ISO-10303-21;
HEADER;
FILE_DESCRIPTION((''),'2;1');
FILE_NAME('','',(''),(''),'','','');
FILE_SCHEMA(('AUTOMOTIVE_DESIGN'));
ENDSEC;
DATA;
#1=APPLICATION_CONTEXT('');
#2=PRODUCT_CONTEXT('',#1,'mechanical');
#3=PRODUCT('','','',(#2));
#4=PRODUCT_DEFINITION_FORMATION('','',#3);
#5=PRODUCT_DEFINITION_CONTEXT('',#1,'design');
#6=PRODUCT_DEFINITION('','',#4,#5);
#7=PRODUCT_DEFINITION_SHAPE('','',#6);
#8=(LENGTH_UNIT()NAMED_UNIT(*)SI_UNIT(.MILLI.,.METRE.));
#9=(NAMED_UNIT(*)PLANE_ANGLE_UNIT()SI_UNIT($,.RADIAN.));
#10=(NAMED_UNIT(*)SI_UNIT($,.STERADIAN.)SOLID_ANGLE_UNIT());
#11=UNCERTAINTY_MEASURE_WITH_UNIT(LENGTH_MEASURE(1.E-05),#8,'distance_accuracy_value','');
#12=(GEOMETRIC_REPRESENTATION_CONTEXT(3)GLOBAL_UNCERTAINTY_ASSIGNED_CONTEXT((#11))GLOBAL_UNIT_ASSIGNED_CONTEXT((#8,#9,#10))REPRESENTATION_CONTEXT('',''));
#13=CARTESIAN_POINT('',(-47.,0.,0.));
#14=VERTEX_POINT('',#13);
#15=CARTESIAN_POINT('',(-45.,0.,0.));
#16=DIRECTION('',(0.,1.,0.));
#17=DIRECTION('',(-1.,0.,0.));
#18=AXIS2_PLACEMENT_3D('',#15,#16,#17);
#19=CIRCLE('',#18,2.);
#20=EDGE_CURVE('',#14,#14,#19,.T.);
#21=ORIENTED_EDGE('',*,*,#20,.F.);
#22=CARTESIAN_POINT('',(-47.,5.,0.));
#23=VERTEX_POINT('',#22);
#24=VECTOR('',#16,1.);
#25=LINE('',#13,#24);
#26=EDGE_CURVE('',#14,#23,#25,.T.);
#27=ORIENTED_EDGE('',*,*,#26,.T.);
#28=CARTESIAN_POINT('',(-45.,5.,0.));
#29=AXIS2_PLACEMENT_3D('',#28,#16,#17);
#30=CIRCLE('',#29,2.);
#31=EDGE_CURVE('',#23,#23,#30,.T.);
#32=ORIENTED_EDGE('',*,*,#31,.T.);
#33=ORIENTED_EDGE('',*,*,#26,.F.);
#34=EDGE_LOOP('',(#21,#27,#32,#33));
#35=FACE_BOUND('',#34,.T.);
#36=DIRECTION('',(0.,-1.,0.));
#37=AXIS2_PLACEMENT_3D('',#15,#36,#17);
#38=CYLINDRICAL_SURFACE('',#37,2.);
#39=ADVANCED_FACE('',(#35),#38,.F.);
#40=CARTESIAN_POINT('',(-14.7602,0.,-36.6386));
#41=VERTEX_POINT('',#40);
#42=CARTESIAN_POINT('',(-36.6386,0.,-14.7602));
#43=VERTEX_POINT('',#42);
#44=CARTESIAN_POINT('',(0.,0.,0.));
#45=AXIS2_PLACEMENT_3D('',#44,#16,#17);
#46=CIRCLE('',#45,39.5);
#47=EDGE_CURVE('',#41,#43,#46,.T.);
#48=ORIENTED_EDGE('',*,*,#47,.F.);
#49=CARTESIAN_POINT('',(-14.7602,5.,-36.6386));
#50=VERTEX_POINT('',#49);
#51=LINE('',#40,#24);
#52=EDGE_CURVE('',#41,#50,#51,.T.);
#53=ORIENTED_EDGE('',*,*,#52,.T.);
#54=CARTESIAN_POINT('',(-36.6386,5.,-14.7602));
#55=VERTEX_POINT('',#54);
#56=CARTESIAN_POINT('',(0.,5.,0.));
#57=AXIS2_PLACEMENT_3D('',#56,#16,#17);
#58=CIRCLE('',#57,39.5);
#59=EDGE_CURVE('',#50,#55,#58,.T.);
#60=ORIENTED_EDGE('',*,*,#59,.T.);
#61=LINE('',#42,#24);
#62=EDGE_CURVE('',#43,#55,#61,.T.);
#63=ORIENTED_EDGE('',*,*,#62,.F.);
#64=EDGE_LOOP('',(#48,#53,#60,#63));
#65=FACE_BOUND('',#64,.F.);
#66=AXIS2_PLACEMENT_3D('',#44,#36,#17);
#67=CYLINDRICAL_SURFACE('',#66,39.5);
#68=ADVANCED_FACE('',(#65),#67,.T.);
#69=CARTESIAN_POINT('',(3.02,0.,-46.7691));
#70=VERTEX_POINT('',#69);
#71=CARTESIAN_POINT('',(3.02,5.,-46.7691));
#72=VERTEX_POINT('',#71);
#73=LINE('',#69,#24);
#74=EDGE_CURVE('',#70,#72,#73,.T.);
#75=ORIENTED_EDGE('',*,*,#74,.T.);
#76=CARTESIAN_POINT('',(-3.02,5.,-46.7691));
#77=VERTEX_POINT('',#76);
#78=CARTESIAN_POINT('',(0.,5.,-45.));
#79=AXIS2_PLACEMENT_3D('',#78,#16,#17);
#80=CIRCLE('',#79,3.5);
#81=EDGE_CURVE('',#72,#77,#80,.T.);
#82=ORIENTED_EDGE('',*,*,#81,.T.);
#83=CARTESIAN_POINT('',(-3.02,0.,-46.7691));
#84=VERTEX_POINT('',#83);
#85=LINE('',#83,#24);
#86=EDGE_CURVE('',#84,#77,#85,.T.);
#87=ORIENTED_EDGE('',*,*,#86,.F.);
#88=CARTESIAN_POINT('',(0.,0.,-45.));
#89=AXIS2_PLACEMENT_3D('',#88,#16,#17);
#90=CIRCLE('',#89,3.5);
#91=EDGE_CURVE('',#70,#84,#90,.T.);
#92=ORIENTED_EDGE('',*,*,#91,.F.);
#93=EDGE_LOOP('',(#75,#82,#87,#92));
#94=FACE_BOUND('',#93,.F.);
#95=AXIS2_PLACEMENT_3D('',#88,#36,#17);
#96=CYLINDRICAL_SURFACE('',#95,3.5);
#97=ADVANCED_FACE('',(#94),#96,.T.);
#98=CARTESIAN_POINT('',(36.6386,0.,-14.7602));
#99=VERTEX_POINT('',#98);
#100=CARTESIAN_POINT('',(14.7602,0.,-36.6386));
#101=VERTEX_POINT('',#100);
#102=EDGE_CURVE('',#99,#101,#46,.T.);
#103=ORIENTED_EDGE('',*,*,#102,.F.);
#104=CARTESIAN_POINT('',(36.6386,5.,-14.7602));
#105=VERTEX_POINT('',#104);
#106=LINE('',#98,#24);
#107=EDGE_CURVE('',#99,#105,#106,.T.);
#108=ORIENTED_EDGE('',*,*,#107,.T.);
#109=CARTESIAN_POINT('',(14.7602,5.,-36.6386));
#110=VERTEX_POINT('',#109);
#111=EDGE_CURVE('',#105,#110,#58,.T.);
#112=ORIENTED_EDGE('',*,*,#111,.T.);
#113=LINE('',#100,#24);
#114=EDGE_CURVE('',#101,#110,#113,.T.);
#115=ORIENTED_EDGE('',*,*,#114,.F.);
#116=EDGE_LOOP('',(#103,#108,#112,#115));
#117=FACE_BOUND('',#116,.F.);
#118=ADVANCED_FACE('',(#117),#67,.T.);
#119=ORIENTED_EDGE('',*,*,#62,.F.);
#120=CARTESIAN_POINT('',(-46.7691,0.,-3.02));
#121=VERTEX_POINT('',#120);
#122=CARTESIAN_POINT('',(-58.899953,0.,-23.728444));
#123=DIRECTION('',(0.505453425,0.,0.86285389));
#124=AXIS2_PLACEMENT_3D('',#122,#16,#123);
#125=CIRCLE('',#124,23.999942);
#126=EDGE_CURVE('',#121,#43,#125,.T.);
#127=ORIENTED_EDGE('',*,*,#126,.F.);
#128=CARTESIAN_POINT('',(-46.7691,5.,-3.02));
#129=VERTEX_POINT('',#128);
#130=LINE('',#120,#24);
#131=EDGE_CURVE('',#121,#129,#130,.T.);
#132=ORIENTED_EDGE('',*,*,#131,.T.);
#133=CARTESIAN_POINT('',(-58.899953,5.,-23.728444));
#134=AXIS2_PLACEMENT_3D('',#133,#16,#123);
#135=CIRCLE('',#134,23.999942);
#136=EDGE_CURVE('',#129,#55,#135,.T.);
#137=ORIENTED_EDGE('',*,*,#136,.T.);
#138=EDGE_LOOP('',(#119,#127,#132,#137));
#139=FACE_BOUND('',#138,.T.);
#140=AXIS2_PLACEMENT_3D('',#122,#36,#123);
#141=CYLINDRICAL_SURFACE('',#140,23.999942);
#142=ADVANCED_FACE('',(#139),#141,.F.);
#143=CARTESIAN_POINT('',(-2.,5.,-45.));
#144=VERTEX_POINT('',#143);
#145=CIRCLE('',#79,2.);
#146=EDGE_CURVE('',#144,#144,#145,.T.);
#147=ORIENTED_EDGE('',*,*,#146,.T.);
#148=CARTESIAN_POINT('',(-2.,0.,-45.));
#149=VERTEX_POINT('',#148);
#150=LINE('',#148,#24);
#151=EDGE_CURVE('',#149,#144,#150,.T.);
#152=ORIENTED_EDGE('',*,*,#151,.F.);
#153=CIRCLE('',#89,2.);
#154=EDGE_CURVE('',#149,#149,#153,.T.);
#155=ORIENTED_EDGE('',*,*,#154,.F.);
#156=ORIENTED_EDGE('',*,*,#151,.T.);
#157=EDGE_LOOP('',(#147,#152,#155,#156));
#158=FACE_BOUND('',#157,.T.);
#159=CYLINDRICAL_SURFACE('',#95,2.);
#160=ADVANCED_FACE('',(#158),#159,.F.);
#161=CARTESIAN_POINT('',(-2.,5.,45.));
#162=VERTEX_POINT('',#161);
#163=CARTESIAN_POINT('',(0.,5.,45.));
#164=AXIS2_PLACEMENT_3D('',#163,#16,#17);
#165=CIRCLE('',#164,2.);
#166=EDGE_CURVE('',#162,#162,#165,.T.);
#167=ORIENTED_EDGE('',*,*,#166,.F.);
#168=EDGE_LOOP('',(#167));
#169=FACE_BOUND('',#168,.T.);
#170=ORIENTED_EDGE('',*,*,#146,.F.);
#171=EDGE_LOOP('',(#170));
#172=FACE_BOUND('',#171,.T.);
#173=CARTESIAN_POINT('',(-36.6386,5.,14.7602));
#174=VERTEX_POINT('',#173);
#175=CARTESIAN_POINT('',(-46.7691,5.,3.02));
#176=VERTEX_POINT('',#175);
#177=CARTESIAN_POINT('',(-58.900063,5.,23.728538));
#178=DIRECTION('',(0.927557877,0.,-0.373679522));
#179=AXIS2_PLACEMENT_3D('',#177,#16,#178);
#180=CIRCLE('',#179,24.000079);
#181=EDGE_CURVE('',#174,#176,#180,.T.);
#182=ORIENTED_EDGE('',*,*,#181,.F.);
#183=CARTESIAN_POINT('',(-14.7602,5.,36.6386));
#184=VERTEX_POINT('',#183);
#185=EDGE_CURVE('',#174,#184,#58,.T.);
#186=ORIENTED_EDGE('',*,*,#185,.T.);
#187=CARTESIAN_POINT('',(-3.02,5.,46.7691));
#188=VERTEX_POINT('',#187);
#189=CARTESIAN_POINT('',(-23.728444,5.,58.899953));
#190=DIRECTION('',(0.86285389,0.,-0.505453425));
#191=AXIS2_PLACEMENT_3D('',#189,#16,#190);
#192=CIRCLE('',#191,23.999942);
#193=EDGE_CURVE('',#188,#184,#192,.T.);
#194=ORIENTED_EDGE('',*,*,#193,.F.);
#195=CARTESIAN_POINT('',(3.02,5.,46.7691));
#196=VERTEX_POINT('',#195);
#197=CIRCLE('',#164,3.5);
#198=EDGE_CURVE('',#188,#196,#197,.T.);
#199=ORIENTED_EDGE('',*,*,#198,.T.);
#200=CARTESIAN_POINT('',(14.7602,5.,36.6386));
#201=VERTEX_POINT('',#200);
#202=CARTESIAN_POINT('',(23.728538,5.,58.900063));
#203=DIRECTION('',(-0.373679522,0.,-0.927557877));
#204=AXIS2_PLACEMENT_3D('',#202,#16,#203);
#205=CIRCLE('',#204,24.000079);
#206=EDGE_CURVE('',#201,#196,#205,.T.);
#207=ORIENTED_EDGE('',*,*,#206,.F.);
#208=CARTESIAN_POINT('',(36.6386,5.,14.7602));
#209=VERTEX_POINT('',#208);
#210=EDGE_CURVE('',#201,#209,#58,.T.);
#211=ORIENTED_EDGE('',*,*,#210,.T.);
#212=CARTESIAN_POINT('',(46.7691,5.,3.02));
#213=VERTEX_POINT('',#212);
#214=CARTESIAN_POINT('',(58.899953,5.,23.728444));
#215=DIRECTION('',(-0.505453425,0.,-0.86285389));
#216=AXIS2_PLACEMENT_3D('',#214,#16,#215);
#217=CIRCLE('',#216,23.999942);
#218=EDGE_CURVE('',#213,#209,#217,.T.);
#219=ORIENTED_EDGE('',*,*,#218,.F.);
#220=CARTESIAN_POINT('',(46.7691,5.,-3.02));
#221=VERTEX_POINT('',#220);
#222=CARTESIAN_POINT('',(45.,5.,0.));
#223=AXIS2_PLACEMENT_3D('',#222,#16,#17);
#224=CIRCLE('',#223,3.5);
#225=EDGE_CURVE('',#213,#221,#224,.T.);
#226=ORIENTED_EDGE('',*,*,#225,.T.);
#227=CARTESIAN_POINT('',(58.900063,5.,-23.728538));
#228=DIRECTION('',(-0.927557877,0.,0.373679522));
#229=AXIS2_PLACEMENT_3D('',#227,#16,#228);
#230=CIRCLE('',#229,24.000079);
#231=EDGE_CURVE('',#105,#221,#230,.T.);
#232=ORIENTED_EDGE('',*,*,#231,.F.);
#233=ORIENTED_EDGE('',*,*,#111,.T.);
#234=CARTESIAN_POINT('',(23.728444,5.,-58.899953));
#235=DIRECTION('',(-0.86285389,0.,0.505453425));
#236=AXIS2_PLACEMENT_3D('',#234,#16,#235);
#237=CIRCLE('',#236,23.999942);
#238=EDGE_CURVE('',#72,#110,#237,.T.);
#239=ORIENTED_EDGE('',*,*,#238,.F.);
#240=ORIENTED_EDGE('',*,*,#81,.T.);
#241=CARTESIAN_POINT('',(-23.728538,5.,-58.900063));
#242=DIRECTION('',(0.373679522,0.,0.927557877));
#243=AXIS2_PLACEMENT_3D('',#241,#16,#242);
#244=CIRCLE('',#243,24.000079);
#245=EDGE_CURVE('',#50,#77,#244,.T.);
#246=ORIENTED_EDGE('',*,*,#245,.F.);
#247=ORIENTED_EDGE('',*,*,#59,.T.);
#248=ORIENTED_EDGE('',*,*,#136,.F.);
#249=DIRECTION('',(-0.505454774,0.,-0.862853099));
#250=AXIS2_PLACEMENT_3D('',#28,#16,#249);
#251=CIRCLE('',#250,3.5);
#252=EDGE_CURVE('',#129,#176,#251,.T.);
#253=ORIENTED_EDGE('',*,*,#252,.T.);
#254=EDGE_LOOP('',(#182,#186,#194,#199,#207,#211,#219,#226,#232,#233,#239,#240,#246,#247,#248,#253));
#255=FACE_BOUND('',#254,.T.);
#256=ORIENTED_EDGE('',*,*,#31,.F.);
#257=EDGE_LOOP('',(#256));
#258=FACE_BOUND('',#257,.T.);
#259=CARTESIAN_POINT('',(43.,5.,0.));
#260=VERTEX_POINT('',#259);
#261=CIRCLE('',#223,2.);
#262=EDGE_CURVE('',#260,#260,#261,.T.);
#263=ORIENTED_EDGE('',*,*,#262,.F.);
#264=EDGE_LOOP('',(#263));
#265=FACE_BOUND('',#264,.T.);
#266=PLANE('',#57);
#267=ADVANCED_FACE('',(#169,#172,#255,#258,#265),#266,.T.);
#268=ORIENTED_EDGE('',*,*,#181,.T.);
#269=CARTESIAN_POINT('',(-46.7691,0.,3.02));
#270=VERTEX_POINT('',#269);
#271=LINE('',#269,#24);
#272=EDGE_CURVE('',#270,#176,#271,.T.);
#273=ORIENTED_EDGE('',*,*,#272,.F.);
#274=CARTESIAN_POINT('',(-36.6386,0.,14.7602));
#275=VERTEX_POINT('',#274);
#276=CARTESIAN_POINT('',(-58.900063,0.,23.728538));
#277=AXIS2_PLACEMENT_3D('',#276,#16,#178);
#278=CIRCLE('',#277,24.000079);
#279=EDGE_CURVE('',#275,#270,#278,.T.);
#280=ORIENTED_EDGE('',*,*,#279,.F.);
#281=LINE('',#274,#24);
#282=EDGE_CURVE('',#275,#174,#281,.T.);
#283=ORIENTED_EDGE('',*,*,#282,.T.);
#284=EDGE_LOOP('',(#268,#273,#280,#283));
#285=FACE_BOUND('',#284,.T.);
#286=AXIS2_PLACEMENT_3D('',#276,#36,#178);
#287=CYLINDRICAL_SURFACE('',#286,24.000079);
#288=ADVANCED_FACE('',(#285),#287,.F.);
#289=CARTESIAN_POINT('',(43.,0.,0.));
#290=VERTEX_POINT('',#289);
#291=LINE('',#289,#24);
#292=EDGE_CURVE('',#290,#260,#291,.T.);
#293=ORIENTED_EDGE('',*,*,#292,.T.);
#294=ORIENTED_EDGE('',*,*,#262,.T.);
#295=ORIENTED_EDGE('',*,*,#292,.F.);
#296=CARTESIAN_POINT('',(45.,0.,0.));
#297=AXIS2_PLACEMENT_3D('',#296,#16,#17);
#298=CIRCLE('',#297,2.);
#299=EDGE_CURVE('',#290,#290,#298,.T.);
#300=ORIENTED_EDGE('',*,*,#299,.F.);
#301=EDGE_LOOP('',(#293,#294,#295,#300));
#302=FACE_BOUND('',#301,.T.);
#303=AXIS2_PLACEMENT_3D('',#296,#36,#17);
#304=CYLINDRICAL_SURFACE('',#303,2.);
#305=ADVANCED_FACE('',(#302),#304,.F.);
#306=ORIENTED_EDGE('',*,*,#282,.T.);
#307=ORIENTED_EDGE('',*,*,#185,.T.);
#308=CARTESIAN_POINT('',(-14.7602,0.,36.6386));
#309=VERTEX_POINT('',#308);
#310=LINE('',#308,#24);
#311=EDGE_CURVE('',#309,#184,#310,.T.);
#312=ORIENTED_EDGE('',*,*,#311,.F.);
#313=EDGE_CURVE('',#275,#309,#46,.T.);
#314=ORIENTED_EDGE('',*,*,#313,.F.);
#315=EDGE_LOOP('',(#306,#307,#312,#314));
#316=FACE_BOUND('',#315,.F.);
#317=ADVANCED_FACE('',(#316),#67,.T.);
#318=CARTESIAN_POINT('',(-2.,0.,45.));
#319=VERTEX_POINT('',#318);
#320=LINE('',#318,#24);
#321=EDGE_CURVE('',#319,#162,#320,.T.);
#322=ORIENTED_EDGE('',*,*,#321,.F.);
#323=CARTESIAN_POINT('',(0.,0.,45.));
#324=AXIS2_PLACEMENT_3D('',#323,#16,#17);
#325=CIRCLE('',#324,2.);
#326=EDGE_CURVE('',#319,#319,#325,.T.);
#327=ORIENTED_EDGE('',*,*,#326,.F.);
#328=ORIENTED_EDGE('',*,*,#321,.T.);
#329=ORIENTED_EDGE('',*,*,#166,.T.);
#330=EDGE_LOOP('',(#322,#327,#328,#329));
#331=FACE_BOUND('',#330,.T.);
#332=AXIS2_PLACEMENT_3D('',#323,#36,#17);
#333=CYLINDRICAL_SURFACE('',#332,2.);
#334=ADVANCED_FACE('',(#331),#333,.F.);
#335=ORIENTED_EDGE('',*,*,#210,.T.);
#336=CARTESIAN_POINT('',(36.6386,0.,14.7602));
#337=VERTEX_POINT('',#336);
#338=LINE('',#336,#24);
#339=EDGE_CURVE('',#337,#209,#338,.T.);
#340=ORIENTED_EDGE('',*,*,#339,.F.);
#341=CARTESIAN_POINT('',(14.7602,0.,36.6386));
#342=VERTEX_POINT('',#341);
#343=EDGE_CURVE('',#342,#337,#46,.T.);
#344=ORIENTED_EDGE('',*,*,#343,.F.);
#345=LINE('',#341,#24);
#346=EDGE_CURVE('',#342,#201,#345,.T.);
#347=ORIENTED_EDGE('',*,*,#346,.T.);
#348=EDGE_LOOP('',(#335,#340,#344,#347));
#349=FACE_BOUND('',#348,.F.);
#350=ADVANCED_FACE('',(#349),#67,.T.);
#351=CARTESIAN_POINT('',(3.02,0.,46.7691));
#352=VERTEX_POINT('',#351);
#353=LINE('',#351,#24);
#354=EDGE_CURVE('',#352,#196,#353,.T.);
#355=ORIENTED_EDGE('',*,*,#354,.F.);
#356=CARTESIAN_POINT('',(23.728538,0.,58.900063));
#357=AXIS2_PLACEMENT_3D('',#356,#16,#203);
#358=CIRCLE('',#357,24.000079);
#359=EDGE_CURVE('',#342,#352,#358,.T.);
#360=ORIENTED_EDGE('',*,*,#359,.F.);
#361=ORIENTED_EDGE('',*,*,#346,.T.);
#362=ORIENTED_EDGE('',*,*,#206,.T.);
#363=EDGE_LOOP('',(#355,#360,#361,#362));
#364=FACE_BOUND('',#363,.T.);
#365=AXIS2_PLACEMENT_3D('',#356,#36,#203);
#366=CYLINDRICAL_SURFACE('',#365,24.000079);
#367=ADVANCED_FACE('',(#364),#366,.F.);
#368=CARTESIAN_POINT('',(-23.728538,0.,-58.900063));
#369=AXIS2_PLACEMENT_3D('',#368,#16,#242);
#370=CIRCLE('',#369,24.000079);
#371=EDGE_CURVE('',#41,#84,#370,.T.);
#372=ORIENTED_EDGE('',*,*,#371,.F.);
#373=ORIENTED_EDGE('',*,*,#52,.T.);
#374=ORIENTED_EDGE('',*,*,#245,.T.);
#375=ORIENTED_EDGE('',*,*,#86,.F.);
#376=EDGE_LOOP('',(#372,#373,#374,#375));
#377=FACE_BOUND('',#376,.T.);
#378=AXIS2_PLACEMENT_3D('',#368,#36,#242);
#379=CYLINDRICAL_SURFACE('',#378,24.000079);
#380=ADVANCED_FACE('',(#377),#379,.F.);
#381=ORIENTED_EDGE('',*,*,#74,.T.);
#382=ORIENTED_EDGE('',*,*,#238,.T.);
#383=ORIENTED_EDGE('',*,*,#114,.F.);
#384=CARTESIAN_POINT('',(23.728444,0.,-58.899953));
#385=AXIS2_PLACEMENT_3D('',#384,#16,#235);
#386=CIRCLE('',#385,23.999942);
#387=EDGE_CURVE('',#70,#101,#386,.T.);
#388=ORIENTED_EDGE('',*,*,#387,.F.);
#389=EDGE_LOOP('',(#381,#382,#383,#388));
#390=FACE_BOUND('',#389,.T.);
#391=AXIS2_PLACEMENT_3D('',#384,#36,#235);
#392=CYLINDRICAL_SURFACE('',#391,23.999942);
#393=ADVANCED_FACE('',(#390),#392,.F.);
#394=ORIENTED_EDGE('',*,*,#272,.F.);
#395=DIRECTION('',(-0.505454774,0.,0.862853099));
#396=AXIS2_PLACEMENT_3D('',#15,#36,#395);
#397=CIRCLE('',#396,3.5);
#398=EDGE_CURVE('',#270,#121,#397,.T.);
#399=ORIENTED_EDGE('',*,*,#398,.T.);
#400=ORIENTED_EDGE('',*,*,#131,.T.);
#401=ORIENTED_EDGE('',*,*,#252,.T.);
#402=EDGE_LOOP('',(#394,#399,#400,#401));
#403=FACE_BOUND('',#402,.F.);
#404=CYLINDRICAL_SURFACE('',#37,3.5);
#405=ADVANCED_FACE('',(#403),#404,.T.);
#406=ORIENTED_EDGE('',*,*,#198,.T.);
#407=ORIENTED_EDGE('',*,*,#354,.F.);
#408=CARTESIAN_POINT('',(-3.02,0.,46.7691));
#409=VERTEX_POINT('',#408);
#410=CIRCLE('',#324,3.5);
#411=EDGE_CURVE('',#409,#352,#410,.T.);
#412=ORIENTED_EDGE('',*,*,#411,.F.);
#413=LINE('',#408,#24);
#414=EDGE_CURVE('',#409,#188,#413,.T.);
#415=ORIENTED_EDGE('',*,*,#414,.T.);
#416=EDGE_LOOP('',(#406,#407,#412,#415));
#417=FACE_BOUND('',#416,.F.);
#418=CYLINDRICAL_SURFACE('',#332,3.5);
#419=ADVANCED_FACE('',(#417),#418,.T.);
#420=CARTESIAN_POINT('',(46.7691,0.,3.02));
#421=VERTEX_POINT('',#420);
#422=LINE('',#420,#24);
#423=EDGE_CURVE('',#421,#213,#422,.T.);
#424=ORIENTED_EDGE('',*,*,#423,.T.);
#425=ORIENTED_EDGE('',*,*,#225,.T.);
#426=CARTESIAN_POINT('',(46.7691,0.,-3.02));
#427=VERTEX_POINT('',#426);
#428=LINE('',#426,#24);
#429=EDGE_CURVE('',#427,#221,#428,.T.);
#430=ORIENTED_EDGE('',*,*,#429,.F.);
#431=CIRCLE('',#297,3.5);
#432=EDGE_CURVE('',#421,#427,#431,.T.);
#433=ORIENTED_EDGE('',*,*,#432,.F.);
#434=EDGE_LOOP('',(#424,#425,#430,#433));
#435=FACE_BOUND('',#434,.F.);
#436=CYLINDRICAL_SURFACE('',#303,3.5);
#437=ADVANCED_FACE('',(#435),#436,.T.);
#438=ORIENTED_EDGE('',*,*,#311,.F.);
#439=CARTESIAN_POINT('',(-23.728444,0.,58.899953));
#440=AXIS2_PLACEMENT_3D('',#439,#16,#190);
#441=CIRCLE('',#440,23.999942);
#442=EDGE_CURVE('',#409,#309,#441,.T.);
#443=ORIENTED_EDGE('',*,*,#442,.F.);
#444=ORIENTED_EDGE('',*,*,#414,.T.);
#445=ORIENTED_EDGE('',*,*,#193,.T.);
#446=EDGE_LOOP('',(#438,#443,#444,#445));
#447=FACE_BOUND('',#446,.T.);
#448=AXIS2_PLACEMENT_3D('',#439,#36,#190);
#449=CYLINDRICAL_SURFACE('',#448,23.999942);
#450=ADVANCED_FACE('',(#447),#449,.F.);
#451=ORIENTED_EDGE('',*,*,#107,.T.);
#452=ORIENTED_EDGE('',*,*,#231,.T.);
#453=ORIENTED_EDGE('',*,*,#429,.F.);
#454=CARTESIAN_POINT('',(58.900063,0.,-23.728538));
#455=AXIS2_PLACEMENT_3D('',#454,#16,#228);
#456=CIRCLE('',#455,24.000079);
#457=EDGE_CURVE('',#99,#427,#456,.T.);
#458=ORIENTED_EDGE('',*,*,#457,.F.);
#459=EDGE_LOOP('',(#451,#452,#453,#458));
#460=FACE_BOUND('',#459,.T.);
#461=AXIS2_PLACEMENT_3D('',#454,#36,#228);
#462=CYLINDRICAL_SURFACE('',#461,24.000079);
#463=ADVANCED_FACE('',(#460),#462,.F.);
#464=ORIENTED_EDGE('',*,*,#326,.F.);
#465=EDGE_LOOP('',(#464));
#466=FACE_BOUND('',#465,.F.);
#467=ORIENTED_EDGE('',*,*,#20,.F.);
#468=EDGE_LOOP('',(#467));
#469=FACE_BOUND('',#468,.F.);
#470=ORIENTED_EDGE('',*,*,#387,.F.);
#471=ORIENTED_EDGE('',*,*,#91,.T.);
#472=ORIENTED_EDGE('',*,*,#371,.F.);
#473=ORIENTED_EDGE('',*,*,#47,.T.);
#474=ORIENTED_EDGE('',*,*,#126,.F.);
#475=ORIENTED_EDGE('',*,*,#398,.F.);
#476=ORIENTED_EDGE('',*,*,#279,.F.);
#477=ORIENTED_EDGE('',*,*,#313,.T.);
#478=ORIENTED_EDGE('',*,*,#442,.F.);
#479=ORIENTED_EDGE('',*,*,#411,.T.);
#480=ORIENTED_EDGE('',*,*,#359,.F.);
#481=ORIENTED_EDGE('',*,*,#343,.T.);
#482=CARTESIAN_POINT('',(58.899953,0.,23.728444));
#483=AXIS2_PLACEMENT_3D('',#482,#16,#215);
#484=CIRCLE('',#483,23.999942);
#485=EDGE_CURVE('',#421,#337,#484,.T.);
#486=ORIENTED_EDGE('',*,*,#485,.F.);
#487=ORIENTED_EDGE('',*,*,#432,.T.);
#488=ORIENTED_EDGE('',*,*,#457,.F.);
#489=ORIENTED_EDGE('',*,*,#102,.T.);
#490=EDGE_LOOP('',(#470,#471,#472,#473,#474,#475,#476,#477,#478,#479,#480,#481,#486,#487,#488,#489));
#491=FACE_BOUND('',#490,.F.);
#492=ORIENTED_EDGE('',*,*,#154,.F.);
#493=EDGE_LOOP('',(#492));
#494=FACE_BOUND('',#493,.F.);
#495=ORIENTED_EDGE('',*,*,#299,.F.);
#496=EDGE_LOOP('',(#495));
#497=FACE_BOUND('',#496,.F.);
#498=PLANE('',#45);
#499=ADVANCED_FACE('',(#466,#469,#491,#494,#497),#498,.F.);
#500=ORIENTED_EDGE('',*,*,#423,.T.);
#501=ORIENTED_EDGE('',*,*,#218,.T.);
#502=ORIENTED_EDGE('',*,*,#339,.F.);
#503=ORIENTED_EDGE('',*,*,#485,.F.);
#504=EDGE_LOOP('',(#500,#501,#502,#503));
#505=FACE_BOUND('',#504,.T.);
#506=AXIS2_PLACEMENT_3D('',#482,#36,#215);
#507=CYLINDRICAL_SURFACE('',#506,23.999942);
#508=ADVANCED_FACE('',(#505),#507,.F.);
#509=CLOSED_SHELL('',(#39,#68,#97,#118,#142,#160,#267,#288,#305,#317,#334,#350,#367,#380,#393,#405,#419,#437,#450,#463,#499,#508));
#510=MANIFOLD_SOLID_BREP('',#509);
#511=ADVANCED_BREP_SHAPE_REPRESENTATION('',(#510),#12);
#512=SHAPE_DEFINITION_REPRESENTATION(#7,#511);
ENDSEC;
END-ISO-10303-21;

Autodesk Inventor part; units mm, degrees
ref_plane "YZ Plane" through (0, 0, 0) normal (1, 0, 0) x (0, 1, 0)
ref_plane "XZ Plane" through (0, 0, 0) normal (0, 1, 0) x (-1, 0, 0)
ref_plane "XY Plane" through (0, 0, 0) normal (0, 0, 1) x (1, 0, 0)
sketch "Sketch1" plane through (0, 0, 0) normal (0, 1, 0) x (-1, 0, 0)
  circle A0 centre (0, 0) radius 39.5
  circle A1 centre (0, 0) radius 36.5
  circle A2 centre (0, 45) radius 3.5
  circle A3 centre (0, 45) radius 2
  arc A4 (3.02, 46.7691) -> (14.7602, 36.6386) centre (23.7285, 58.9) ccw
  arc A5 (-14.7602, 36.6386) -> (-3.02, 46.7691) centre (-23.7285, 58.9) ccw
  arc A6 (-46.7691, 3.02) -> (-36.6386, 14.7602) centre (-58.9, 23.7285) ccw
  circle A7 centre (-45, 0) radius 3.5
  circle A8 centre (-45, 0) radius 2
  arc A9 (-36.6386, -14.7602) -> (-46.7691, -3.02) centre (-58.9, -23.7285) ccw
  arc A10 (-3.02, -46.7691) -> (-14.7602, -36.6386) centre (-23.7285, -58.9) ccw
  circle A11 centre (0, -45) radius 3.5
  circle A12 centre (0, -45) radius 2
  arc A13 (14.7602, -36.6386) -> (3.02, -46.7691) centre (23.7285, -58.9) ccw
  arc A14 (46.7691, -3.02) -> (36.6386, -14.7602) centre (58.9, -23.7285) ccw
  circle A15 centre (45, 0) radius 3.5
  circle A16 centre (45, 0) radius 2
  arc A17 (36.6386, 14.7602) -> (46.7691, 3.02) centre (58.9, 23.7285) ccw
  point P0 (36.6386, 14.7602)
  point P1 (-36.6386, 14.7602)
  point P2 (-36.6386, -14.7602)
  point P3 (-14.7602, -36.6386)
  point P4 (14.7602, -36.6386)
  point P5 (36.6386, -14.7602)
  dimension "d0" = 79
  dimension "d1" = 73
  dimension "d2" = 7
  dimension "d3" = 4
  dimension "d8" = 360
  dimension "d12" = 45
  dimension "d13" = 24
extrude "Extrusion1" add sketch "Sketch1" along normal blind 5 contours A0 | A0 A17 A15 A14 | A0 A5 A2 A4 | A15 | A13 A11 A10 A0 | A2 | A11 | A0 A9 A7 A6 | A7 | A1
properties part number "tapa"
